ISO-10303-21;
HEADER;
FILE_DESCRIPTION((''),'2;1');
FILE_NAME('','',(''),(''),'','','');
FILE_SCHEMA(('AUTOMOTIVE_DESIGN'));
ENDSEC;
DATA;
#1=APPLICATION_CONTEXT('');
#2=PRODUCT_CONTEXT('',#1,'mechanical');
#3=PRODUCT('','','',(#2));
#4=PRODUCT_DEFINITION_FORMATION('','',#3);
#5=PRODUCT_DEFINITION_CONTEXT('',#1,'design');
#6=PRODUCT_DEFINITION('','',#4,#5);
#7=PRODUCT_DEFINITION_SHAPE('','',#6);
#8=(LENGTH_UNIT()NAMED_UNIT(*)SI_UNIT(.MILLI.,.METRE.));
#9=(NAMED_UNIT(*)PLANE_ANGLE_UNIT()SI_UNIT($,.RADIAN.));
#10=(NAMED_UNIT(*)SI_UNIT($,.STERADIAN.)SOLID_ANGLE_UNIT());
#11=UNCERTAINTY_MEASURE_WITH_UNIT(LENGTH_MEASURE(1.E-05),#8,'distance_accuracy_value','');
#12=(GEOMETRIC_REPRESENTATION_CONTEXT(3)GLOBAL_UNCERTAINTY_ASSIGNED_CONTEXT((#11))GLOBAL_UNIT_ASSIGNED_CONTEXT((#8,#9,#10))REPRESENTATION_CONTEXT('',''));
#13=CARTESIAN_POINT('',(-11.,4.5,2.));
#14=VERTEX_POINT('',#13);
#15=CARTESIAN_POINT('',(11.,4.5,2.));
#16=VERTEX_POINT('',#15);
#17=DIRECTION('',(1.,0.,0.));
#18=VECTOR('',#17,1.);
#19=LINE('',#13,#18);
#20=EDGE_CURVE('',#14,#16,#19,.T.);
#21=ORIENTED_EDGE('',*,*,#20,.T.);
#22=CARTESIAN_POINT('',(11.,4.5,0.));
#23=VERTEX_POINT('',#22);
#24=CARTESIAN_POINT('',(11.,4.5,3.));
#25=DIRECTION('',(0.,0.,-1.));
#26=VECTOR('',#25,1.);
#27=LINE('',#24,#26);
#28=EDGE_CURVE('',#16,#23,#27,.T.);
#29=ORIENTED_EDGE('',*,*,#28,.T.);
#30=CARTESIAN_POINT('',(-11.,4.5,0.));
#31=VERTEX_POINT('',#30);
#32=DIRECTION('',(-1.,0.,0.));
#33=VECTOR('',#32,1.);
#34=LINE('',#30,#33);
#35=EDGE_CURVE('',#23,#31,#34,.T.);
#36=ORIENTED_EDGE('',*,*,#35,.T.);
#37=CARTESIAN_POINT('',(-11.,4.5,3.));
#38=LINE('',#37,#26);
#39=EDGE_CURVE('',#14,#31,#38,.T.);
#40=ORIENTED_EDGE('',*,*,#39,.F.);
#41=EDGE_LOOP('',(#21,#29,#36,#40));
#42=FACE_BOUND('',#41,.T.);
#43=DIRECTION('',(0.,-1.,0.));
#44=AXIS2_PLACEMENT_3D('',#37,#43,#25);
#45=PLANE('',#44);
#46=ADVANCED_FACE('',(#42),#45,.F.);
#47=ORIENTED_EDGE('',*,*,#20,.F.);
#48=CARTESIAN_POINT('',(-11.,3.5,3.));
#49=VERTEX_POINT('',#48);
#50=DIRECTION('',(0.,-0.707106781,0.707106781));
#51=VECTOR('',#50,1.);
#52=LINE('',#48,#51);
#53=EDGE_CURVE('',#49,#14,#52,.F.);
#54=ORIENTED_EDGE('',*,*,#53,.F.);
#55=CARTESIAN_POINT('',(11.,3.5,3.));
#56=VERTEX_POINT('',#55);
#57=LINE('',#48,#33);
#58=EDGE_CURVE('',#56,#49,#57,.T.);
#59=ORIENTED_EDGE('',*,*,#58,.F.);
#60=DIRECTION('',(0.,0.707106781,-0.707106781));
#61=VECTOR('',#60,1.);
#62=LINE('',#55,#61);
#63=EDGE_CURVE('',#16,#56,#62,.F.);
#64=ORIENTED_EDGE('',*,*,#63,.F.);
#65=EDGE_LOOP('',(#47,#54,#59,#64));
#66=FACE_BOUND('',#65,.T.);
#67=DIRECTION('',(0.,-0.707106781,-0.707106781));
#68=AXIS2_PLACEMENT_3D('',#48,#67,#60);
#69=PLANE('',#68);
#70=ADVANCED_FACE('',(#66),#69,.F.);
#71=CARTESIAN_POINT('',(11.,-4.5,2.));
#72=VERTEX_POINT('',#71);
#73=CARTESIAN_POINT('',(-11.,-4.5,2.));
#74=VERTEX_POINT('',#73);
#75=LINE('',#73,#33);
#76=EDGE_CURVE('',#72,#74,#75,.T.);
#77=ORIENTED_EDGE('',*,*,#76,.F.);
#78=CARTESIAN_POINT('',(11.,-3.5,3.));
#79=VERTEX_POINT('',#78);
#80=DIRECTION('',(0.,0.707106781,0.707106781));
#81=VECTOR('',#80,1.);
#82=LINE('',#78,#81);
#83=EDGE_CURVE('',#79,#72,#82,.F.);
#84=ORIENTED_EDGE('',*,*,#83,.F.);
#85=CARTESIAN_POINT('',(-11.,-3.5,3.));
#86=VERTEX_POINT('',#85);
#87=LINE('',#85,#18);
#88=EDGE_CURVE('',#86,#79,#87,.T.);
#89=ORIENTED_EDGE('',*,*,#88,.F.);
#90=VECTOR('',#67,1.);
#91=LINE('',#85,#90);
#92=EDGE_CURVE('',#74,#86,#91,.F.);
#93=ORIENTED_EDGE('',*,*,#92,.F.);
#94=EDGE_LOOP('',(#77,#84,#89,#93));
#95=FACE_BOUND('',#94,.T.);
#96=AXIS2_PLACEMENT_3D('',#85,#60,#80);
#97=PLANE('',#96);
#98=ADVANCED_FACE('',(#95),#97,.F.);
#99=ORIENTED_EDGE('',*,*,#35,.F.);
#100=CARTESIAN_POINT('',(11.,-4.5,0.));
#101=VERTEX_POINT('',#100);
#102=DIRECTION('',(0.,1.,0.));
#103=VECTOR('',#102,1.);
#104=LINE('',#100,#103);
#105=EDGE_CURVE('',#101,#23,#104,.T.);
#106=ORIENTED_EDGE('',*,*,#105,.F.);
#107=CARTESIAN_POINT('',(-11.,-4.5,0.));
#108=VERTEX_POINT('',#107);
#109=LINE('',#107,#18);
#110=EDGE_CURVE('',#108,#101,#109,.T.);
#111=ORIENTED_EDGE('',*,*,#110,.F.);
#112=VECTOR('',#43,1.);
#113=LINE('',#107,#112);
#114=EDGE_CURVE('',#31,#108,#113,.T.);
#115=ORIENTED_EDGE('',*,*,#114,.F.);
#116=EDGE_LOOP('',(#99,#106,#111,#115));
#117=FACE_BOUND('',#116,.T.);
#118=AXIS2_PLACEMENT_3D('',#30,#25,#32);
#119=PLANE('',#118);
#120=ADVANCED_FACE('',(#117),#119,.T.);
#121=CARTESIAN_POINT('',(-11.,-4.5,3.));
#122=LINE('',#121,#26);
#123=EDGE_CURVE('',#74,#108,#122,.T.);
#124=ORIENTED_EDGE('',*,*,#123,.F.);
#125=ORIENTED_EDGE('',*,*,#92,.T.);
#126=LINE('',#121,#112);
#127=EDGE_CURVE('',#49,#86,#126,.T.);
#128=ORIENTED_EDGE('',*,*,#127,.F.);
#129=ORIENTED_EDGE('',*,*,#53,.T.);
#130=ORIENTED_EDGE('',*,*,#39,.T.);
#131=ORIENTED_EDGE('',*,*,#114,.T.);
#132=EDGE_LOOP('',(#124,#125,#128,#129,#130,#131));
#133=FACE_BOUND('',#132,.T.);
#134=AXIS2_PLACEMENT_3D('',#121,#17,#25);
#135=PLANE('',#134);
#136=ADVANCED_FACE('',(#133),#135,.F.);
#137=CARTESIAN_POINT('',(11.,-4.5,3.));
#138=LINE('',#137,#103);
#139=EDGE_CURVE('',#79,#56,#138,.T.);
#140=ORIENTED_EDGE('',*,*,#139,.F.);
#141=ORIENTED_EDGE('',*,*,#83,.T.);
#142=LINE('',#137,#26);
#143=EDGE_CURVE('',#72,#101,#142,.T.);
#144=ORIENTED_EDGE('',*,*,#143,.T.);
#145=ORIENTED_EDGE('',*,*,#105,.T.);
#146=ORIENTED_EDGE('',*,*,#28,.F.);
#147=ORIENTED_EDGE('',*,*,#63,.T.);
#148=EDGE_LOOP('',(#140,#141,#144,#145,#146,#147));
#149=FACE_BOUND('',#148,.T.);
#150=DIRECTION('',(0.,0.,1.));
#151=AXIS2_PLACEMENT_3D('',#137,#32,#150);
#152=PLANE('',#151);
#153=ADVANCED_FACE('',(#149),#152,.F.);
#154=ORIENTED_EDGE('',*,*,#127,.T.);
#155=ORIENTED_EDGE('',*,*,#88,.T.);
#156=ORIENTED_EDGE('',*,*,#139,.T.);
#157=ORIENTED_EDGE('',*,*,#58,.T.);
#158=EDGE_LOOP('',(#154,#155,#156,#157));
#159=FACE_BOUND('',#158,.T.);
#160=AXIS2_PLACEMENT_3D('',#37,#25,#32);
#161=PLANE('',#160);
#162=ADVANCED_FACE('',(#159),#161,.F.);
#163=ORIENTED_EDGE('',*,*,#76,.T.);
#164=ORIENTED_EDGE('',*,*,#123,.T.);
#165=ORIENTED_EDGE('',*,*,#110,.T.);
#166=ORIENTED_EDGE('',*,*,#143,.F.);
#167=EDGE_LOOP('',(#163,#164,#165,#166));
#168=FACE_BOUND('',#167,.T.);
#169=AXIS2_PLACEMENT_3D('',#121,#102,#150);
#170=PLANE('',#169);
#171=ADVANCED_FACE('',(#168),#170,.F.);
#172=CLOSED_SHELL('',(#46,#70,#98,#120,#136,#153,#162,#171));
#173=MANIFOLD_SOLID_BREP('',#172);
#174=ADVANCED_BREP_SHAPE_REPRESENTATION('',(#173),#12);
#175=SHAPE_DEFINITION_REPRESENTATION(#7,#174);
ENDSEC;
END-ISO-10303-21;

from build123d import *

# Parameters (mm, degrees)
SKETCH_1_W      = 22
SKETCH_1_H      = 9
EXTRUDE_1_DEPTH = 3
CHAMFER_1_SIZE  = 1


with BuildPart() as part:
    # Эскиз1 → Вытянуть1 (new body)
    with BuildSketch(Plane.XY):
        Rectangle(SKETCH_1_W, SKETCH_1_H)
    extrude(amount=EXTRUDE_1_DEPTH)

    # Фаска1
    chamfer_1_edges = [part.edges().sort_by_distance(p)[0] for p in [
        (0, 4.5, 3),
        (0, -4.5, 3),
    ]]
    chamfer(chamfer_1_edges, length=CHAMFER_1_SIZE)


solid = part.part
